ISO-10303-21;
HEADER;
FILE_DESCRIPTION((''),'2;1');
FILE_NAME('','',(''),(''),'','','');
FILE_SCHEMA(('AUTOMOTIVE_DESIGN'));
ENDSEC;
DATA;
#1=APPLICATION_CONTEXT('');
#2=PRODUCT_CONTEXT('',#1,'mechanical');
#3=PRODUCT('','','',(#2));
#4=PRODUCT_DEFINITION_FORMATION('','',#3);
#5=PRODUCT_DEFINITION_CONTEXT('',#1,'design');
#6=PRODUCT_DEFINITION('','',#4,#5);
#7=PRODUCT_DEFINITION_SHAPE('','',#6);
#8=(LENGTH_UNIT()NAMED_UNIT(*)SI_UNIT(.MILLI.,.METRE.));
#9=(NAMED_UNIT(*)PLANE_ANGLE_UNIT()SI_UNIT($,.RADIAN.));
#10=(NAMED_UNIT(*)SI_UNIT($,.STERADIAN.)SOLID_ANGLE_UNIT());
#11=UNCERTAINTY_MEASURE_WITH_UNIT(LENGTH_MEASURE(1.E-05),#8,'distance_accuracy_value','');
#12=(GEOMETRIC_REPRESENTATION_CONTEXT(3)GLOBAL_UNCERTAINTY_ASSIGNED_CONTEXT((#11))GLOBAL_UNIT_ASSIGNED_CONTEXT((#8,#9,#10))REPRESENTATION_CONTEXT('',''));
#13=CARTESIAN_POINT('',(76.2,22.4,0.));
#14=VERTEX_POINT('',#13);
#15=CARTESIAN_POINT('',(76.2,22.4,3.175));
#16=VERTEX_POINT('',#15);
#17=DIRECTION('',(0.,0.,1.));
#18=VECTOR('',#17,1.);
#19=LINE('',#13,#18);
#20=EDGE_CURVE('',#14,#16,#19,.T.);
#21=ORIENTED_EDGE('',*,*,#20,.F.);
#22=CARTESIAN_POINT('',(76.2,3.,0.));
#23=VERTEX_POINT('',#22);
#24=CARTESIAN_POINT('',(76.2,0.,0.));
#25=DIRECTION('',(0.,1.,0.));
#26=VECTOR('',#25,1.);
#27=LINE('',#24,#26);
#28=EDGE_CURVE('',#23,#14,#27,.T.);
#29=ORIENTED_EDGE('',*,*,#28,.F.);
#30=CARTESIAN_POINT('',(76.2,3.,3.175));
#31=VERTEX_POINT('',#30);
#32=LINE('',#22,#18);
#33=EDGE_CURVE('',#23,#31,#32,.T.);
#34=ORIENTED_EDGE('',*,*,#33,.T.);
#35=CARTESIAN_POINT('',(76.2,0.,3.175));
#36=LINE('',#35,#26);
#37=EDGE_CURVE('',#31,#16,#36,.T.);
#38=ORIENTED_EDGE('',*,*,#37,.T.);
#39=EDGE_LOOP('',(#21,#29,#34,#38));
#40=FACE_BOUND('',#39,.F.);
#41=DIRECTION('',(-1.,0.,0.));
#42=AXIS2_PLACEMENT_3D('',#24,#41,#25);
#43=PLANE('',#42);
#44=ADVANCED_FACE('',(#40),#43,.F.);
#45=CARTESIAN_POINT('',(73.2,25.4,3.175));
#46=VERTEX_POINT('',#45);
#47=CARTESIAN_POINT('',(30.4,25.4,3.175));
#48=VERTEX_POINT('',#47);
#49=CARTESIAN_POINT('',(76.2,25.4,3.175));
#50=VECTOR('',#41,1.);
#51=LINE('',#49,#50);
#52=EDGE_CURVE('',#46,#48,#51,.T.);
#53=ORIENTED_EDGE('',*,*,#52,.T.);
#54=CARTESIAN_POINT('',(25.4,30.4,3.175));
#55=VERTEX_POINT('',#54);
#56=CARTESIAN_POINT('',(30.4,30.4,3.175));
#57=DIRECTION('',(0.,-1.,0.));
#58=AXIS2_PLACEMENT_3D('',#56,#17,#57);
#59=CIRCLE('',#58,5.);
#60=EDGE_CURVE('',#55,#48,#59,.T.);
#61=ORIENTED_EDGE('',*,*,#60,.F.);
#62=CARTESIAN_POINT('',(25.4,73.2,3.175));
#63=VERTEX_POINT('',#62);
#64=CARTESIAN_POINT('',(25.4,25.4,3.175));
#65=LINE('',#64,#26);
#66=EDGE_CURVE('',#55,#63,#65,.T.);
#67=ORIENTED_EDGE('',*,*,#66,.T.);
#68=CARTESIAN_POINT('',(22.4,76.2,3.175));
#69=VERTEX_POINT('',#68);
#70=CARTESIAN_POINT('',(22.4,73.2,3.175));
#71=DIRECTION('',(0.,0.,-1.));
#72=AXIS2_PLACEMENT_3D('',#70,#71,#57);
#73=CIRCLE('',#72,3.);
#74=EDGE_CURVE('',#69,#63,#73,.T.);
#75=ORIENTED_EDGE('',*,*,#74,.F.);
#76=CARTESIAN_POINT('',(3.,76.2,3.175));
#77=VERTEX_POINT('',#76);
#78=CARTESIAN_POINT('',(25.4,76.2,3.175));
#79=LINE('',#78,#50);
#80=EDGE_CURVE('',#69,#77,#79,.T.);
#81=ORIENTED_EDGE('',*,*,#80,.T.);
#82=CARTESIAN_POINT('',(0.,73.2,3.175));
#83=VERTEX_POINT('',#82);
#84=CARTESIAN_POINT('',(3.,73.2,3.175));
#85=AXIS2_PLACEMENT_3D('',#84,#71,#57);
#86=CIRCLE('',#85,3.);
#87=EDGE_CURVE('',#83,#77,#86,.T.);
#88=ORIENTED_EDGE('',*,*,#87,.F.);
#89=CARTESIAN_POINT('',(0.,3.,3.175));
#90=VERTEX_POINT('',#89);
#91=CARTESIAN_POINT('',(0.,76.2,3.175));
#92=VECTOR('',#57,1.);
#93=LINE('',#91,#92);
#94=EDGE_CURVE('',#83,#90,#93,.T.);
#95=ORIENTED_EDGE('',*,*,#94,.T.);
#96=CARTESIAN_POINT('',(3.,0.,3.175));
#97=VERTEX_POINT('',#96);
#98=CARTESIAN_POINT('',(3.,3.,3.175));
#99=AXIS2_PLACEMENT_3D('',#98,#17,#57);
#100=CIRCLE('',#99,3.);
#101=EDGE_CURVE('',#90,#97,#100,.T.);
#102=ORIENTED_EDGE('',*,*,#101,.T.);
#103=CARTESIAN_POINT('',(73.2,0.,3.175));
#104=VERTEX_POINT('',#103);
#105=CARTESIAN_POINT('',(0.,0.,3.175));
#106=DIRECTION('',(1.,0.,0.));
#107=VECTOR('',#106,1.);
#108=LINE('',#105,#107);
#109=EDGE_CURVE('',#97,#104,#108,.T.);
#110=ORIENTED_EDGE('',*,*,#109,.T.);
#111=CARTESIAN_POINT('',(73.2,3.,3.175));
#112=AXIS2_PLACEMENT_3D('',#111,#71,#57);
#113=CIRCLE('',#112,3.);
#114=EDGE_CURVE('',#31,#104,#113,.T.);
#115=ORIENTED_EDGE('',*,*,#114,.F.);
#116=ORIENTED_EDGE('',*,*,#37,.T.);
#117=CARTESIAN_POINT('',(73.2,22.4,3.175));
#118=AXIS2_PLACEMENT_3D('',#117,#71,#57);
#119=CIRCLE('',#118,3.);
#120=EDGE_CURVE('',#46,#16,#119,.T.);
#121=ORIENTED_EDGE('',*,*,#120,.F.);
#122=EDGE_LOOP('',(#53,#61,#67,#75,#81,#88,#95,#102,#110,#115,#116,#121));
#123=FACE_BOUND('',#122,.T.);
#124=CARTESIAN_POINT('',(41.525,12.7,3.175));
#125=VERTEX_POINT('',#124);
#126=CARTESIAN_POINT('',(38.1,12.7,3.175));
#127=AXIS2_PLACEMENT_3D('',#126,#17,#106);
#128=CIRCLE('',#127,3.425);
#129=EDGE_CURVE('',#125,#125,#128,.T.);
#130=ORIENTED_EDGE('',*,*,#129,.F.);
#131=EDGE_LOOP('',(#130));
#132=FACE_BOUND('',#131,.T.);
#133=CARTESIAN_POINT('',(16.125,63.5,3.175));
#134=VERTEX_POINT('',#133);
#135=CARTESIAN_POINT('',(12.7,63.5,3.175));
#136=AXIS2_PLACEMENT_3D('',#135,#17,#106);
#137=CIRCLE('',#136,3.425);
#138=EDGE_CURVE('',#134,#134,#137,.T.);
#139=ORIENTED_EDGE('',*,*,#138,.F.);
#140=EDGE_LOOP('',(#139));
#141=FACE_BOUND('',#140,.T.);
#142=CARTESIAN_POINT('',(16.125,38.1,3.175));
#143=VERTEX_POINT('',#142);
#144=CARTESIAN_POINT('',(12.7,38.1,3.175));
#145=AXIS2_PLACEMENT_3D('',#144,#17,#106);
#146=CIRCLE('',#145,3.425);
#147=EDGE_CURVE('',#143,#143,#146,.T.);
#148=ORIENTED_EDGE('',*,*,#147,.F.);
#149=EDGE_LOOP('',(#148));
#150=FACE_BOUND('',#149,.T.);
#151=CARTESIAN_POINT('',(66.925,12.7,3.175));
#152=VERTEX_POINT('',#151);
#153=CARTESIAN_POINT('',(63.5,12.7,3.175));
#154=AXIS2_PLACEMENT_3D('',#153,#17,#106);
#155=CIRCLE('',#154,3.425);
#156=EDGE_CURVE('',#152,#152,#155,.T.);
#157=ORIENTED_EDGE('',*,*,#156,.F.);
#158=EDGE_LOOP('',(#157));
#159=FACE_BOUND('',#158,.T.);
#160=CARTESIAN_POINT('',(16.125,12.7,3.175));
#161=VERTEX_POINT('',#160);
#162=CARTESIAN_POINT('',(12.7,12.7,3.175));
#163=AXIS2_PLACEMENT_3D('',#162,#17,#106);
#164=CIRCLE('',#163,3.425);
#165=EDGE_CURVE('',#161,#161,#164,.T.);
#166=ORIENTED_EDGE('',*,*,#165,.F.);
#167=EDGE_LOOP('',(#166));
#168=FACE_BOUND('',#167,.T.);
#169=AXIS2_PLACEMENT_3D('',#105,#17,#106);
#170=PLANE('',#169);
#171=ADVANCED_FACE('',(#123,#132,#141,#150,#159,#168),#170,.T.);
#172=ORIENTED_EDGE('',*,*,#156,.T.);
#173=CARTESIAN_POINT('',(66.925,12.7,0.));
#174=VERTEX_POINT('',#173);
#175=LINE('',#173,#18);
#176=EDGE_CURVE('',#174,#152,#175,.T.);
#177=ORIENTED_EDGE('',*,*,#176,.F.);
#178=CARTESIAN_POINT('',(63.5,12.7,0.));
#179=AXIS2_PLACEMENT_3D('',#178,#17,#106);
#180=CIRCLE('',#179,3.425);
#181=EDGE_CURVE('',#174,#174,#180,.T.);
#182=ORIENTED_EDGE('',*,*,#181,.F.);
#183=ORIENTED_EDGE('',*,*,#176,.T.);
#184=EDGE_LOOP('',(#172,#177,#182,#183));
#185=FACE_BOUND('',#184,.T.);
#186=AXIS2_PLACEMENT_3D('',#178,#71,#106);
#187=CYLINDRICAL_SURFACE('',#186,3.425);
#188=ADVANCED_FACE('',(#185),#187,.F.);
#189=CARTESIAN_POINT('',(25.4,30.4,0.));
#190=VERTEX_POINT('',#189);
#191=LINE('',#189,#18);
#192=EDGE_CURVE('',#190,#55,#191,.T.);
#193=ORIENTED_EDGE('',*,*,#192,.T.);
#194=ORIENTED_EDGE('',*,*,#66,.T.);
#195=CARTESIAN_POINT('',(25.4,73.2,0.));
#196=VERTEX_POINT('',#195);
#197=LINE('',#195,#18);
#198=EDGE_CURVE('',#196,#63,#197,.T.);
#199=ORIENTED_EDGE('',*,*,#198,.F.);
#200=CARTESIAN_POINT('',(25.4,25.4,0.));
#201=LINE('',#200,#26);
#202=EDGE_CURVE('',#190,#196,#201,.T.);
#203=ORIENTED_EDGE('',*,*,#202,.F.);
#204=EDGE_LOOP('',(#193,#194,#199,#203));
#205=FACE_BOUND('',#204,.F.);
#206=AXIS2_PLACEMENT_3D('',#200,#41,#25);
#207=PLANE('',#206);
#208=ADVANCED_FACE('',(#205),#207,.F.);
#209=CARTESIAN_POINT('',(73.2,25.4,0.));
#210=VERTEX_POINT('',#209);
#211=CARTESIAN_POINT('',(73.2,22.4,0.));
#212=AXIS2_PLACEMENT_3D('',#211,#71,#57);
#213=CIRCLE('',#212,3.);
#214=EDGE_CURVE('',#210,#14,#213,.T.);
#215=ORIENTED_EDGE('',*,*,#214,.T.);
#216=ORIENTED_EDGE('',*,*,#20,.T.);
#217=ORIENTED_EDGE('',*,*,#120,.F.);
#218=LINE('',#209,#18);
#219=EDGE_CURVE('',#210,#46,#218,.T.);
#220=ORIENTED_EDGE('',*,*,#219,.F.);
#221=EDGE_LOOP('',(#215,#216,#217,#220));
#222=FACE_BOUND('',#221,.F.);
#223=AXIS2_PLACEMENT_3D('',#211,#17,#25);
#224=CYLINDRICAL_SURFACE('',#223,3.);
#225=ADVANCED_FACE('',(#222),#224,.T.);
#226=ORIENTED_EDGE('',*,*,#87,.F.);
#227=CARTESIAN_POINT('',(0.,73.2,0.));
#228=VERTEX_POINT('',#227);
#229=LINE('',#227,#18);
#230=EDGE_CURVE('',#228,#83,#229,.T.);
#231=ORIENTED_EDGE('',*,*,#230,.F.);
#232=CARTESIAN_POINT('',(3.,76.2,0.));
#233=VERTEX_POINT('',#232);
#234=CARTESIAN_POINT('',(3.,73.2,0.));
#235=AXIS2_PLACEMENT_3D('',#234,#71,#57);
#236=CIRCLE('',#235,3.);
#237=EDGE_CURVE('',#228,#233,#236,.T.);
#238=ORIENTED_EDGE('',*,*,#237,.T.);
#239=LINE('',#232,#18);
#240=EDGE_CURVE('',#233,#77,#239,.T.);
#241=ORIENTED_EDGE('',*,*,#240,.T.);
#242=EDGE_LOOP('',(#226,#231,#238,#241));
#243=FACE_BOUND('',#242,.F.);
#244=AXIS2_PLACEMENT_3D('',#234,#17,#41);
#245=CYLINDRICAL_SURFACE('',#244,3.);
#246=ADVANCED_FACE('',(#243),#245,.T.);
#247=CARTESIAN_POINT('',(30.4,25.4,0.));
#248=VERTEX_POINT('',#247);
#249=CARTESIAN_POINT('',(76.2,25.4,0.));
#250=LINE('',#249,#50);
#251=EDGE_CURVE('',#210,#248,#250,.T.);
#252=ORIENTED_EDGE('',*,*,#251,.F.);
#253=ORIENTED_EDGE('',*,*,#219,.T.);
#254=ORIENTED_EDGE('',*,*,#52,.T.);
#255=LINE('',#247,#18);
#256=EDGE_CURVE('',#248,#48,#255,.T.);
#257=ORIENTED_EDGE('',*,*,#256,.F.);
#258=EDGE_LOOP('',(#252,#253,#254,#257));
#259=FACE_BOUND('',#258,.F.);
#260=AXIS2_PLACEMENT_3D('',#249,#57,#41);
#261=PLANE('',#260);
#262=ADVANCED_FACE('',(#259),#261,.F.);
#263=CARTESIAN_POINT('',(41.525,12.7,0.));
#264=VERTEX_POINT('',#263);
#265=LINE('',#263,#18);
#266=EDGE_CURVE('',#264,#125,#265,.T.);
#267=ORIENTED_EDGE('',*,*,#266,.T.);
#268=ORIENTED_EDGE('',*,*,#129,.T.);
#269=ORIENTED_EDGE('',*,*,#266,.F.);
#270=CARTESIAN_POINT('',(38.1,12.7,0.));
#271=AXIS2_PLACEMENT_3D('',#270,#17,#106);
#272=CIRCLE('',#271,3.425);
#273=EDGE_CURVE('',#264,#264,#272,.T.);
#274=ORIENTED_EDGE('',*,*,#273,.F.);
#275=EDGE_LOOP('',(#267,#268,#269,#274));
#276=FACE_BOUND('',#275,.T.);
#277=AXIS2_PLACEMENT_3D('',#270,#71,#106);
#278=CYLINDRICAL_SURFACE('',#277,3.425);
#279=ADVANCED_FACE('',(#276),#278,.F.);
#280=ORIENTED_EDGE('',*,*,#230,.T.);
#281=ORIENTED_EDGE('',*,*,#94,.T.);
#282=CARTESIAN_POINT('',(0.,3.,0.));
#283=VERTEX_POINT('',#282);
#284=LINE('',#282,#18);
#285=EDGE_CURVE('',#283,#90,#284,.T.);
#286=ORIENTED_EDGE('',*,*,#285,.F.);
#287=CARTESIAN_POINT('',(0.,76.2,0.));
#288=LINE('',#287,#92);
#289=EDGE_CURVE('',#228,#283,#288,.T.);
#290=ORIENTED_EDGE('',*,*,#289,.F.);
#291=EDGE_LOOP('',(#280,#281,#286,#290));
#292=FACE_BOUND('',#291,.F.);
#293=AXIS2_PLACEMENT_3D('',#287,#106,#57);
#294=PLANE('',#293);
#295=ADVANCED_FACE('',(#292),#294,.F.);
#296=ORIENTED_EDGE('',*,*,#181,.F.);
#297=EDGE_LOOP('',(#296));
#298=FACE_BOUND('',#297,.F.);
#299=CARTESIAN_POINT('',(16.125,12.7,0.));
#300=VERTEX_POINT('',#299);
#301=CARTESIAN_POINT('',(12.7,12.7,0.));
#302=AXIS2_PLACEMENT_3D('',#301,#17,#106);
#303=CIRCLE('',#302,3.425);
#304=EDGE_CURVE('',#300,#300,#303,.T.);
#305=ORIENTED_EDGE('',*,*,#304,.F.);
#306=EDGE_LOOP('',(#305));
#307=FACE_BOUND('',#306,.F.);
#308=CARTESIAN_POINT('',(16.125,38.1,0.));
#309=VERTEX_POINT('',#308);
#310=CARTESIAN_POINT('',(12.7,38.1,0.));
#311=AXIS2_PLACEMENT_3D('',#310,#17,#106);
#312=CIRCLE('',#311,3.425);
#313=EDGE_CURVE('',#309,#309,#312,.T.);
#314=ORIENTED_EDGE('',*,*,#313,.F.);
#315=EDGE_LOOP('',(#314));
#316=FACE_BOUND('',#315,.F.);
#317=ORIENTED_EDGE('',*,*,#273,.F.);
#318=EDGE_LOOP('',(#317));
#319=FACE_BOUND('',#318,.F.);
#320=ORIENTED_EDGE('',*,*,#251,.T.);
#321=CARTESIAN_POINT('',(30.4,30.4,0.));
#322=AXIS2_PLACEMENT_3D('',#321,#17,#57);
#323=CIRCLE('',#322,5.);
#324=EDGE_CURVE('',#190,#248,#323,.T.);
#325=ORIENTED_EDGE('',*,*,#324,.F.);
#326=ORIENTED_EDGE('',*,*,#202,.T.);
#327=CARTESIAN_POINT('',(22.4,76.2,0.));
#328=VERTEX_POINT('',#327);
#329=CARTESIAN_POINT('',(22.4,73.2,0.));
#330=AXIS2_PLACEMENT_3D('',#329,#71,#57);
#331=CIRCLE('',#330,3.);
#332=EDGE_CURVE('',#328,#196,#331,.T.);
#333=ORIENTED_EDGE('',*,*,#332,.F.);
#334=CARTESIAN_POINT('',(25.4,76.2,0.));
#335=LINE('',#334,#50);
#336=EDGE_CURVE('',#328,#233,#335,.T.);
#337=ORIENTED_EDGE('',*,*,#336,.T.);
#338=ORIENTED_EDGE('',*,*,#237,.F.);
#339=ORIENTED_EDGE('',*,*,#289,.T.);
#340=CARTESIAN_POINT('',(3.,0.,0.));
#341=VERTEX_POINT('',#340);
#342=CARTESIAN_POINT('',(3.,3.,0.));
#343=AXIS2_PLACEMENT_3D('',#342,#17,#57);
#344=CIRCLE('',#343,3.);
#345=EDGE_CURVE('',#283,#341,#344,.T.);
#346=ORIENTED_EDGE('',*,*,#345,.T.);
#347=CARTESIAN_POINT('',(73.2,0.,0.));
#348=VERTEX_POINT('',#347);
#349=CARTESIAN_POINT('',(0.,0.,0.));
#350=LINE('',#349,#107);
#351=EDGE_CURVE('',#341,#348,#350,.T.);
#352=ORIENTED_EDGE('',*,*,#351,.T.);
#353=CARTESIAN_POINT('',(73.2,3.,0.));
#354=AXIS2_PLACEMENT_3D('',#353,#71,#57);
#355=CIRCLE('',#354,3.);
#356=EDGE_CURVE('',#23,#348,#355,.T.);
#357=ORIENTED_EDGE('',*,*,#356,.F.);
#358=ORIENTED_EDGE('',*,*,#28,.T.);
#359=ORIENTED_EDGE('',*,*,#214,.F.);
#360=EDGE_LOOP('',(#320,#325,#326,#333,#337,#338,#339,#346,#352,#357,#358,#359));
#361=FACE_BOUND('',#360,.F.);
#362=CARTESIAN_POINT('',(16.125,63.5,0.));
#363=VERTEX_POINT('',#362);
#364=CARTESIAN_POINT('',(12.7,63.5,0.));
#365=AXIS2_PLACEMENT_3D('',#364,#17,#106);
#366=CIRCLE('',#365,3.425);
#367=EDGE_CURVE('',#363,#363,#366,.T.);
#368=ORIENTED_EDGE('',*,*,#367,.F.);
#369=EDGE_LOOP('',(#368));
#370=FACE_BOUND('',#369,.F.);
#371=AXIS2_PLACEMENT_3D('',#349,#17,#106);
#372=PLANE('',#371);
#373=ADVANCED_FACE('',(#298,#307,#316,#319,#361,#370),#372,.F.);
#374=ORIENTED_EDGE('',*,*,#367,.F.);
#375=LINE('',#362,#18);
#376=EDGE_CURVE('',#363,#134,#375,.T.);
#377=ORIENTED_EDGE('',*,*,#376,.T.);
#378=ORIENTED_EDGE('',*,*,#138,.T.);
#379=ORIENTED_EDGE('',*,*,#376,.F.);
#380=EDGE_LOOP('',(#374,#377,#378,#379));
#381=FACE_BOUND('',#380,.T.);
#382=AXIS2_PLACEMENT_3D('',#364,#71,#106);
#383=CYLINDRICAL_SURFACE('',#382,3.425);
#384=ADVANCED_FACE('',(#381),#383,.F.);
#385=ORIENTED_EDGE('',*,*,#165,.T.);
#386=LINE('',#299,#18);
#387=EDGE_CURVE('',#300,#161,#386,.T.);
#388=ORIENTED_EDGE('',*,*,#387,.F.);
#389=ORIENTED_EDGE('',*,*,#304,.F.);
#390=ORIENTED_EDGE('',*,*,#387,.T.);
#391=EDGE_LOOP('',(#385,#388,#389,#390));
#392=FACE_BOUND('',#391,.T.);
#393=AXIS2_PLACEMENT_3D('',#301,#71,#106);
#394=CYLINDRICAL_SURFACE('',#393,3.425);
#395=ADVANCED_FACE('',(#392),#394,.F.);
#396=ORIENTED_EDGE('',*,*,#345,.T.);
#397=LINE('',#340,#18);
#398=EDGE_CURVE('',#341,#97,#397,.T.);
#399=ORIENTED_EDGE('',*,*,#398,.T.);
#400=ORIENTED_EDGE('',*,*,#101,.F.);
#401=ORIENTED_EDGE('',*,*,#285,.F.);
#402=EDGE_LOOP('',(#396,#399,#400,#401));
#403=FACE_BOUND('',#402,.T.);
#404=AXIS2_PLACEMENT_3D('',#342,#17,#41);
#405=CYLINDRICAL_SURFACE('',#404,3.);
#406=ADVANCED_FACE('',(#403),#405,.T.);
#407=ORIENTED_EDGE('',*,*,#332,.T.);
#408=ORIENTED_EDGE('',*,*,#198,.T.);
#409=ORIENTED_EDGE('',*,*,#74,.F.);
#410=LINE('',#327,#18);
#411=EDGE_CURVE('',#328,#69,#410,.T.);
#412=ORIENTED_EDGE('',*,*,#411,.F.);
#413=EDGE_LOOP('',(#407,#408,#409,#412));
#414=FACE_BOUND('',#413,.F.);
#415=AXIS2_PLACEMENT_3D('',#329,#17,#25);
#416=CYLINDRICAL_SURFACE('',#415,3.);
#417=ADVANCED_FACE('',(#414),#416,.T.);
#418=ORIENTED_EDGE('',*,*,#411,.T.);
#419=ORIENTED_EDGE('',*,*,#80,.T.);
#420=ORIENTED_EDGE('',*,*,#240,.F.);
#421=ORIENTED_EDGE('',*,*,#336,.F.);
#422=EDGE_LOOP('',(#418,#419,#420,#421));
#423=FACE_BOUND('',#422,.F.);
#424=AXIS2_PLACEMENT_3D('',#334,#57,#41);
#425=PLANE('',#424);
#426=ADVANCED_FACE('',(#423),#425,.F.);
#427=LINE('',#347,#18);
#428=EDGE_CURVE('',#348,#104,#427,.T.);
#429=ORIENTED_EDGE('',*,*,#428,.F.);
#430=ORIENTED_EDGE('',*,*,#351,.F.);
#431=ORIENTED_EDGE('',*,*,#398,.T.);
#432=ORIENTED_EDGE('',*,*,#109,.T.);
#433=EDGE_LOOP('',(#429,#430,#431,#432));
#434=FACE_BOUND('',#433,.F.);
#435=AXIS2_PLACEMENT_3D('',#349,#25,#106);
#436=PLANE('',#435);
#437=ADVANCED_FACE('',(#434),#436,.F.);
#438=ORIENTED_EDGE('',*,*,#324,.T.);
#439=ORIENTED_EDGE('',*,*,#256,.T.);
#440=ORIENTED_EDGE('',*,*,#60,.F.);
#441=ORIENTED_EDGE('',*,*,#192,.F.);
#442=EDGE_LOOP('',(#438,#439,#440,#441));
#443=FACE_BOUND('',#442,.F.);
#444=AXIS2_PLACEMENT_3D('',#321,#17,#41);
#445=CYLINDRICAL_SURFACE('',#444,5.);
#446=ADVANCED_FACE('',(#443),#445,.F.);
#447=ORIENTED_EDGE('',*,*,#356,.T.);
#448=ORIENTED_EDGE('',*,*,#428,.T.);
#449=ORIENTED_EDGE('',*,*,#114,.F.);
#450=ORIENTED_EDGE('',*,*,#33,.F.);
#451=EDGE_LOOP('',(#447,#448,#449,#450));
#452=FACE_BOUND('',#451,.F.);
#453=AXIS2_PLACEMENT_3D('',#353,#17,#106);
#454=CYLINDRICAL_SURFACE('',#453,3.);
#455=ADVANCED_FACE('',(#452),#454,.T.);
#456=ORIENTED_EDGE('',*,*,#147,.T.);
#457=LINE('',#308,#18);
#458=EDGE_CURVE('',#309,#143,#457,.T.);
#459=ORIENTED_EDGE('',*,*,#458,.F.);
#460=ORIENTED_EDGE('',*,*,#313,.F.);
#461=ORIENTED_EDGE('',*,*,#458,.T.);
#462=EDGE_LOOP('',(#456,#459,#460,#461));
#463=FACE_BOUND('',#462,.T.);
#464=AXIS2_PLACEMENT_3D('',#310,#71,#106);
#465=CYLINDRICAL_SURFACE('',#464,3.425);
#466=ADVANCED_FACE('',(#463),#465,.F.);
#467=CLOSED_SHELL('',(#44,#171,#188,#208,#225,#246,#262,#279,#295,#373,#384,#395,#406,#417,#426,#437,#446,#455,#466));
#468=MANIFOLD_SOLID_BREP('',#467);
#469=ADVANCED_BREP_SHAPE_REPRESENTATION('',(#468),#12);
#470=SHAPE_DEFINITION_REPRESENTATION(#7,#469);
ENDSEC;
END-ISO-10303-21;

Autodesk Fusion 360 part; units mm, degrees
sketch "Sketch1" plane through (0, 0, 0) normal (0, 0, 1) x (1, 0, 0)
  line L0 (0, 0) -> (76.2, 0)
  line L1 (76.2, 0) -> (76.2, 25.4)
  line L2 (76.2, 25.4) -> (25.4, 25.4)
  line L3 (25.4, 25.4) -> (25.4, 76.2)
  line L4 (25.4, 76.2) -> (0, 76.2)
  line L5 (0, 76.2) -> (0, 0)
  line L6 (0, 0) -> (25.4, 25.4) construction
  circle A0 centre (12.7, 12.7) radius 3.425
  circle A1 centre (38.1, 12.7) radius 3.425
  circle A2 centre (63.5, 12.7) radius 3.425
  circle A3 centre (12.7, 38.1) radius 3.425
  circle A4 centre (12.7, 63.5) radius 3.425
  dimension "d1" = 25.4
  dimension "d2" = 25.4
  dimension "d3" = 6.85
  dimension "d4" = 12.7
  dimension "d5" = 25.4
  dimension "d6" = 12.7
  dimension "d7" = 12.7
  dimension "d8" = 12.7
  dimension "d9" = 25.4
extrude "Extrude1" add sketch "Sketch1" along normal blind 3.175
fillet "Fillet1" radius 3 5 edges at (0, 0, 1.5875) (76.2, 0, 1.5875) (76.2, 25.4, 1.5875) (25.4, 76.2, 1.5875) (0, 76.2, 1.5875)
fillet "Fillet1" radius 5 1 edges at (25.4, 25.4, 1.5875)
sketch "DXF" plane through (0, 0, 3.175) normal (0, 0, 1) x (-1, 0, 0)
  arc A0 (-3, -76.2) -> (0, -73.2) centre (-3, -73.2) ccw
  line L0 (0, -73.2) -> (0, -3)
  arc A1 (0, -3) -> (-3, 0) centre (-3, -3) ccw
  line L1 (-3, 0) -> (-73.2, 0)
  arc A2 (-73.2, 0) -> (-76.2, -3) centre (-73.2, -3) ccw
  line L2 (-76.2, -3) -> (-76.2, -22.4)
  arc A3 (-76.2, -22.4) -> (-73.2, -25.4) centre (-73.2, -22.4) ccw
  line L3 (-73.2, -25.4) -> (-30.4, -25.4)
  arc A4 (-25.4, -30.4) -> (-30.4, -25.4) centre (-30.4, -30.4) ccw
  line L4 (-25.4, -30.4) -> (-25.4, -73.2)
  arc A5 (-25.4, -73.2) -> (-22.4, -76.2) centre (-22.4, -73.2) ccw
  line L5 (-22.4, -76.2) -> (-3, -76.2)
  circle A6 centre (-63.5, -12.7) radius 3.425
  circle A7 centre (-12.7, -12.7) radius 3.425
  circle A8 centre (-38.1, -12.7) radius 3.425
  circle A9 centre (-12.7, -63.5) radius 3.425
  circle A10 centre (-12.7, -38.1) radius 3.425
equation "d3 = 0.25 in + 0.5 mm"
equation "d6 = d4"
equation "d7 = d4"
equation "d8 = d7"
equation "d9 = d5"
equation "d10 = ( 1 / 8 ) * 1 in"
